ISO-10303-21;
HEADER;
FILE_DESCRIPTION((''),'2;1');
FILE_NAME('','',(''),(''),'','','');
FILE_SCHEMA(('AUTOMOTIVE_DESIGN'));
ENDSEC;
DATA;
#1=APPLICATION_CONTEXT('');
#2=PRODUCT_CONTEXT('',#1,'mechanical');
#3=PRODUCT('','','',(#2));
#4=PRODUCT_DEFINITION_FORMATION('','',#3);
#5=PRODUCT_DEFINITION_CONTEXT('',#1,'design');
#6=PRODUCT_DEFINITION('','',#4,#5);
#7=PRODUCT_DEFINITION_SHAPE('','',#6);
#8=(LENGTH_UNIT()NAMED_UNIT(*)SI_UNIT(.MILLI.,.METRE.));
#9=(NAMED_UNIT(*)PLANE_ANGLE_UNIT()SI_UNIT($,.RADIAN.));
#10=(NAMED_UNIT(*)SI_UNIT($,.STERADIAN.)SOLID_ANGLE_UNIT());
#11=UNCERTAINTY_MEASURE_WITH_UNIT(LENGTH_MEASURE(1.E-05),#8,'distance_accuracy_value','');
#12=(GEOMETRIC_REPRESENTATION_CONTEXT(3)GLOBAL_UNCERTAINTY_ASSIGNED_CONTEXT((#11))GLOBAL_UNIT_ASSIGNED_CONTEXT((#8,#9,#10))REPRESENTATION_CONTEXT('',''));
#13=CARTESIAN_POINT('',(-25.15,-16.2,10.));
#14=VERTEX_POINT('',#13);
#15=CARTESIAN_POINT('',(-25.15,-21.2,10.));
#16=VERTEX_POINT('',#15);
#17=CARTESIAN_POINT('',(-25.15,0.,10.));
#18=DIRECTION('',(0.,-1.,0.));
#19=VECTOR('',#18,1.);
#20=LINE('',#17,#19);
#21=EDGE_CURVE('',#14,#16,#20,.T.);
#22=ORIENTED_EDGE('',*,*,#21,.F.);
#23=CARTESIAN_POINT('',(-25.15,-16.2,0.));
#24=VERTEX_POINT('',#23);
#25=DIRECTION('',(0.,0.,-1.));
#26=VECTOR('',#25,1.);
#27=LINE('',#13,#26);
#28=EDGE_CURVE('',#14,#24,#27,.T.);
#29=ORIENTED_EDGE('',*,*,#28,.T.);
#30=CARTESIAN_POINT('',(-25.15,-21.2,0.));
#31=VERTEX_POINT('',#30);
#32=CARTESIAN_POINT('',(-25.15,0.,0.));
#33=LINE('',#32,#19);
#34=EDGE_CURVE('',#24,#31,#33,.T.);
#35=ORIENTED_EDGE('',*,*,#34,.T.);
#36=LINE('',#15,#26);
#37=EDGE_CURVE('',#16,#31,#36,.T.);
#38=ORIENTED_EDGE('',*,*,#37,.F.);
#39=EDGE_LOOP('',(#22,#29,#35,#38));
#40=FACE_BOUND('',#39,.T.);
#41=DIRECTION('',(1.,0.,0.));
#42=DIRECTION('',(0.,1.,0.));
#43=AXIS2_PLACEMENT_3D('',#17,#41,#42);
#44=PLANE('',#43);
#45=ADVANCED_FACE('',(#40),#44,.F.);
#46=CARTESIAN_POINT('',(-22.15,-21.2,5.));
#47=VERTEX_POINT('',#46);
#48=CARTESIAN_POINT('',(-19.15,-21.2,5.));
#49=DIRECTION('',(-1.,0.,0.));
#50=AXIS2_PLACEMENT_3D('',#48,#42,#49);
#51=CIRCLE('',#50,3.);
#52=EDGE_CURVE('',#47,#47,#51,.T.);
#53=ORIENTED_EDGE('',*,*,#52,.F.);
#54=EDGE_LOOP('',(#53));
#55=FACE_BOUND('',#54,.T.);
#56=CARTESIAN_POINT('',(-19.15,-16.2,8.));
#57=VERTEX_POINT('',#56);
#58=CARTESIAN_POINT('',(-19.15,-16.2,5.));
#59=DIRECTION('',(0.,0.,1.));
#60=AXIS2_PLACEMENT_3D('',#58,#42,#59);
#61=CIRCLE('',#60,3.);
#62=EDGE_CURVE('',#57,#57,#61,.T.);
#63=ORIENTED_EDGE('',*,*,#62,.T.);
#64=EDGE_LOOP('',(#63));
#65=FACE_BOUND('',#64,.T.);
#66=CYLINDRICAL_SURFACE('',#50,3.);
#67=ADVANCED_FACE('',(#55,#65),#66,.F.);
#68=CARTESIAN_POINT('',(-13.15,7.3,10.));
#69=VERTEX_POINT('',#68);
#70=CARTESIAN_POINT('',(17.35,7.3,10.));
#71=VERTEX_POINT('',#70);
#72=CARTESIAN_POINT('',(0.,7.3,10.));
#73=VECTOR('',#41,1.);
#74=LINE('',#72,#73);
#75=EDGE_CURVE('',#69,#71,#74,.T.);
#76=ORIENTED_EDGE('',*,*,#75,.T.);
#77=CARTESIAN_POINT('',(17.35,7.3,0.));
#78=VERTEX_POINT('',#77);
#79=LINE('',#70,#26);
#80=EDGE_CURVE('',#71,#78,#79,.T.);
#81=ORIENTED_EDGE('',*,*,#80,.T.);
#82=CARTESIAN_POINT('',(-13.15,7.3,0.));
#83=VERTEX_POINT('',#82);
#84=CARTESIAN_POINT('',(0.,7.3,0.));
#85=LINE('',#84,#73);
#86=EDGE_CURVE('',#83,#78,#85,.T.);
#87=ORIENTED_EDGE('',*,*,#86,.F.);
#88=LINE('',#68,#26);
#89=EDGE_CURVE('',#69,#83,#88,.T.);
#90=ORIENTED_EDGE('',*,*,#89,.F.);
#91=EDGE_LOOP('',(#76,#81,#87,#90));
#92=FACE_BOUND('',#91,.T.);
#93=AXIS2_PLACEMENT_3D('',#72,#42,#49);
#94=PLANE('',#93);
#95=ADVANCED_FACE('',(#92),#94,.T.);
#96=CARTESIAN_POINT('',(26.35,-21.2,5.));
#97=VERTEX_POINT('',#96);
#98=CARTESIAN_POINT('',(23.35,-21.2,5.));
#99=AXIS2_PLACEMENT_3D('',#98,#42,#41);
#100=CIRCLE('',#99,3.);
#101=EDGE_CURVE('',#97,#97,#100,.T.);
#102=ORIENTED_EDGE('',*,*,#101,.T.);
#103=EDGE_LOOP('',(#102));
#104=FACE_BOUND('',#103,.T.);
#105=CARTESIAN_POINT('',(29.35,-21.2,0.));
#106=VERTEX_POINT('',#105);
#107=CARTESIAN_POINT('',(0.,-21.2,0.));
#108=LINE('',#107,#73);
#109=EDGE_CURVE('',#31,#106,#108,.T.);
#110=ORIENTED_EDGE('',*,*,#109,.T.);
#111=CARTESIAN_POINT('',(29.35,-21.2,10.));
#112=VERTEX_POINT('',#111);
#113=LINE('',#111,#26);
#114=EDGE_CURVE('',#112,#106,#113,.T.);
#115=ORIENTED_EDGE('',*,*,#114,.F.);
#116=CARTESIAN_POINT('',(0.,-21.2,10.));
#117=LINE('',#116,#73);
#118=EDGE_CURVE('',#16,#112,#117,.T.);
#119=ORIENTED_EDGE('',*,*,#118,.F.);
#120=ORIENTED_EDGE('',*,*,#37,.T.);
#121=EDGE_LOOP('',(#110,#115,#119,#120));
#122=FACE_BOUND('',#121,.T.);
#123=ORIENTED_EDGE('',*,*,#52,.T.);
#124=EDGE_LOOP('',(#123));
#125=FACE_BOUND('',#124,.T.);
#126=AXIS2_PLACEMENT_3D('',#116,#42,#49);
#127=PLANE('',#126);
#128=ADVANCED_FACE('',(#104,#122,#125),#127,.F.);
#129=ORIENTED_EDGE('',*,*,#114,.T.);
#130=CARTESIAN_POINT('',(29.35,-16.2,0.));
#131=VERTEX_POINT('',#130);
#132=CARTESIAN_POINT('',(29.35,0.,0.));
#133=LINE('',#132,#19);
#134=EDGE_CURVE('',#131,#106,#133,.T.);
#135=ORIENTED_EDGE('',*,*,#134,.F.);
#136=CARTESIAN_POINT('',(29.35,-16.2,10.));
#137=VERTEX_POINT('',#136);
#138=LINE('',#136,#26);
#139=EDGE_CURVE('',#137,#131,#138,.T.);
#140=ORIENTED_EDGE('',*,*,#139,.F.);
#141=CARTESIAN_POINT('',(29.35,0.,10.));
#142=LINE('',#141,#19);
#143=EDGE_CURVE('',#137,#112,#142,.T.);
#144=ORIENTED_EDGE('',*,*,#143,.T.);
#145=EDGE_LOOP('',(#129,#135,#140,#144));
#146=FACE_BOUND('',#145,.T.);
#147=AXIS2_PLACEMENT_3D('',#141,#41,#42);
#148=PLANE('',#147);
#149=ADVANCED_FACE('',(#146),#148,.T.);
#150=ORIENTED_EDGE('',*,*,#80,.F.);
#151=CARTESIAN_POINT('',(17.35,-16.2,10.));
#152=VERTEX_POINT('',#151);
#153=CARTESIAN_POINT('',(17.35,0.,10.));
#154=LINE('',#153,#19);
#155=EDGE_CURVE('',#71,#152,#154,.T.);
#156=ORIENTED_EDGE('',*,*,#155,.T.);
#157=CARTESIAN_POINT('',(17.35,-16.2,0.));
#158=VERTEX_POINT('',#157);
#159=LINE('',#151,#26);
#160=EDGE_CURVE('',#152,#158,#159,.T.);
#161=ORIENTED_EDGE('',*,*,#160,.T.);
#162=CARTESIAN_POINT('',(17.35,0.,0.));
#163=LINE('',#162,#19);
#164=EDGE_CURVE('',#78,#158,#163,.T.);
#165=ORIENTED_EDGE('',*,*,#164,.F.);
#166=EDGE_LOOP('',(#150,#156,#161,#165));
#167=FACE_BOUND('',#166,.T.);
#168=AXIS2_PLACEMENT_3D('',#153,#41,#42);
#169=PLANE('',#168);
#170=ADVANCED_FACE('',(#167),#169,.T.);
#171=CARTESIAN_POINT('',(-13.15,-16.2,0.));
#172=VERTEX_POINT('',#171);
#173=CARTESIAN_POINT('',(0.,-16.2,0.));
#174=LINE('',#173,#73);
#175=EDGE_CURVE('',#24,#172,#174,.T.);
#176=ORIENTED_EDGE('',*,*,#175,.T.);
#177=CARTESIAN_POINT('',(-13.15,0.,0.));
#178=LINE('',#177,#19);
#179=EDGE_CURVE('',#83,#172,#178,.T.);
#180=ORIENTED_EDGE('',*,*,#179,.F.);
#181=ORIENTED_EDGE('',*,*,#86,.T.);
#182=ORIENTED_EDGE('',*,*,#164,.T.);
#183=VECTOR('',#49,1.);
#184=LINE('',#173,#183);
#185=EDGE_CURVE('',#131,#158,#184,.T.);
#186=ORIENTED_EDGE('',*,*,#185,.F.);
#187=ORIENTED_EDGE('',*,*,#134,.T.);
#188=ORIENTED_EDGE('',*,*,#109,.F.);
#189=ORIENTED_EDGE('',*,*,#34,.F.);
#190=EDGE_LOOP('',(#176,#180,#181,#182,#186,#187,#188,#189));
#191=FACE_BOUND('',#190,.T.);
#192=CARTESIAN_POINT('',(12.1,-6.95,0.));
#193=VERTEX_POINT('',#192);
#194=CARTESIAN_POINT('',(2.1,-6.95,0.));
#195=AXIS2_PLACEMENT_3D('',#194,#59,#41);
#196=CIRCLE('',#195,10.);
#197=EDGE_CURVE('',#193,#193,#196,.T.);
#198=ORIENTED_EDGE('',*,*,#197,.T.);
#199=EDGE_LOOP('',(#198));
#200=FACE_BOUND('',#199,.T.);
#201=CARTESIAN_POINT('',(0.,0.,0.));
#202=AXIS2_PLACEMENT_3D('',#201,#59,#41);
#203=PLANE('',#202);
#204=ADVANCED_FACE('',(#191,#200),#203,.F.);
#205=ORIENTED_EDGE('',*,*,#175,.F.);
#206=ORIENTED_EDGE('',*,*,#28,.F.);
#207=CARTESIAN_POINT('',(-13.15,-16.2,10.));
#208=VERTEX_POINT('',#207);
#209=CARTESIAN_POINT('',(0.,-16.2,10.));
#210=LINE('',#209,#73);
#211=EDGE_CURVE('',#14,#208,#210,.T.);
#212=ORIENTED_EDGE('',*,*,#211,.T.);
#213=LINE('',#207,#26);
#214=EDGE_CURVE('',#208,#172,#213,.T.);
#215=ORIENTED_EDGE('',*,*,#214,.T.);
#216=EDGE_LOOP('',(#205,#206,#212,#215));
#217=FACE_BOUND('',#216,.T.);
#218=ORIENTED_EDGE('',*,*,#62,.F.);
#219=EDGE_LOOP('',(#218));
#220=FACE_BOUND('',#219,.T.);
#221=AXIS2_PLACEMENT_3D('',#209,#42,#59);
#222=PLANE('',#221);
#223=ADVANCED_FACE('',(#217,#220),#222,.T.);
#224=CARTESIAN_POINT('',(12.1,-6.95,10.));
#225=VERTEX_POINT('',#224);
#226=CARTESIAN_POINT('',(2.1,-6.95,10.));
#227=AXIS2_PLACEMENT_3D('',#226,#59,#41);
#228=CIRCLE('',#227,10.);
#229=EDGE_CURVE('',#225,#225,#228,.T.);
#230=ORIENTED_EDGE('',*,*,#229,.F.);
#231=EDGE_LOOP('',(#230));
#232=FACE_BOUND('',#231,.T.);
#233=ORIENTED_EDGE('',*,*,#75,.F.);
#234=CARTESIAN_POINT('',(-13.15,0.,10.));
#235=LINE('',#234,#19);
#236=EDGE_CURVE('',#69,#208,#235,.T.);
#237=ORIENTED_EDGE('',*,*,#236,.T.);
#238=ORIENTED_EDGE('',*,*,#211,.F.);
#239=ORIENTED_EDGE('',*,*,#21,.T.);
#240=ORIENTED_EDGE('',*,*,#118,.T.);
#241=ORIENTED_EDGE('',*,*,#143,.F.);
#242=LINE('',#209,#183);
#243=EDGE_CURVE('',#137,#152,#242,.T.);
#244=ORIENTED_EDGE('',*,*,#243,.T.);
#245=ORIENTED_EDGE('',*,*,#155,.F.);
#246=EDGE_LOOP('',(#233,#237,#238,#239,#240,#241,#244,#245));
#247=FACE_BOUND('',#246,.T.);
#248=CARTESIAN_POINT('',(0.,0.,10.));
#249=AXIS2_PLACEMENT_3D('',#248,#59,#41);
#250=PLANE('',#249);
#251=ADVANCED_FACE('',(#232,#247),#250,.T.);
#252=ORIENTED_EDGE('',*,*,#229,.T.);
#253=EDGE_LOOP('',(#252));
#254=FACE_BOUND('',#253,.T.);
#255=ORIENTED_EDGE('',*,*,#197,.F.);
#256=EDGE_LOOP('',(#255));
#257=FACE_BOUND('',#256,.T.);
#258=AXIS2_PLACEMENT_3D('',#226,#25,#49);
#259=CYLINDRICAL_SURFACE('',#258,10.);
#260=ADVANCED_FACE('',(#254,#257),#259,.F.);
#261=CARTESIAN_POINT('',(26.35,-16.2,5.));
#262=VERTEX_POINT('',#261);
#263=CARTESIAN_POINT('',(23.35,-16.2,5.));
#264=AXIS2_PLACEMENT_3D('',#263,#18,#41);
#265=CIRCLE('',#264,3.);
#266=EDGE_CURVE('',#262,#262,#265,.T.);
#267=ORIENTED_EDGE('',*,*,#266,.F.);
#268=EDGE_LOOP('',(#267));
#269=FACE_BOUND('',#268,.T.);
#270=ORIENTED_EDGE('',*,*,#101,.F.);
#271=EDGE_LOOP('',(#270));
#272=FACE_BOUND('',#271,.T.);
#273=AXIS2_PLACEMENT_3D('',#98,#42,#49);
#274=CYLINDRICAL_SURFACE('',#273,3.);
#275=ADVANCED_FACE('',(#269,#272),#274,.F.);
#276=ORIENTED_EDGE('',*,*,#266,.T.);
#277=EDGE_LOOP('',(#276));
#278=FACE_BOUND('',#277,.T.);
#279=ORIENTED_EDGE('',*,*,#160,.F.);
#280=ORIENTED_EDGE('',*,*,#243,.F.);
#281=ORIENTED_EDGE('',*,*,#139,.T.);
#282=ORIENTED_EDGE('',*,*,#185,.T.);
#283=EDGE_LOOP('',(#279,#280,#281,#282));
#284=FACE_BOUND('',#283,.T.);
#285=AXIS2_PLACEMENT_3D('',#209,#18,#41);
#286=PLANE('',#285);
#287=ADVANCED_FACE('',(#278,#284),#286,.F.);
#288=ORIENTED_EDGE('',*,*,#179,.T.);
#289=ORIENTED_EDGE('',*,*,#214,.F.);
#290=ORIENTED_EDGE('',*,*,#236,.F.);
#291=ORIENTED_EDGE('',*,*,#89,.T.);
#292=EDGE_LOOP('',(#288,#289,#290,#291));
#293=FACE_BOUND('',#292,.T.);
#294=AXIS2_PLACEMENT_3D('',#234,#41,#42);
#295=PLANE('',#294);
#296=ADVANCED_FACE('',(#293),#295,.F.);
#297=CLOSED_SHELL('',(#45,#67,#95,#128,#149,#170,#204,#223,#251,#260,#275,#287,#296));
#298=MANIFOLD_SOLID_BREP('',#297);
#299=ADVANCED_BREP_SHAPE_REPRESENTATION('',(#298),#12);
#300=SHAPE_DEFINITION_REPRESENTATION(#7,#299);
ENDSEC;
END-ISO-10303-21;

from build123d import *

# Parameters (mm, degrees)
SKETCH_1_R          = 10
EXTRUDE_1_DEPTH     = 10
SKETCH_2_R          = 3
CUT_EXTRUDE_1_DEPTH = 43.114991393


with BuildPart() as part:
    # 草图1 → 凸台-拉伸1 (new body)
    with BuildSketch(Plane.XY):
        Polygon((17.35, 7.3), (-13.15, 7.3), (-13.15, -16.2), (-25.15, -16.2), (-25.15, -21.2), (29.35, -21.2), (29.35, -16.2), (17.35, -16.2), align=None)
        with Locations((2.1, -6.95)):
            Circle(SKETCH_1_R, mode=Mode.SUBTRACT)
    extrude(amount=EXTRUDE_1_DEPTH)

    # 草图2 → 切除-拉伸1 (cut, through all)
    with BuildSketch(Plane(origin=(0, 7.3, 0), x_dir=(1, 0, 0), z_dir=(0, 1, 0))):
        with Locations(Location((-19.15, -5, 0), (0, 0, 180))):
            Circle(SKETCH_2_R)
        with Locations((23.35, -5)):
            Circle(SKETCH_2_R)
    extrude(amount=-CUT_EXTRUDE_1_DEPTH, mode=Mode.SUBTRACT)


solid = part.part
